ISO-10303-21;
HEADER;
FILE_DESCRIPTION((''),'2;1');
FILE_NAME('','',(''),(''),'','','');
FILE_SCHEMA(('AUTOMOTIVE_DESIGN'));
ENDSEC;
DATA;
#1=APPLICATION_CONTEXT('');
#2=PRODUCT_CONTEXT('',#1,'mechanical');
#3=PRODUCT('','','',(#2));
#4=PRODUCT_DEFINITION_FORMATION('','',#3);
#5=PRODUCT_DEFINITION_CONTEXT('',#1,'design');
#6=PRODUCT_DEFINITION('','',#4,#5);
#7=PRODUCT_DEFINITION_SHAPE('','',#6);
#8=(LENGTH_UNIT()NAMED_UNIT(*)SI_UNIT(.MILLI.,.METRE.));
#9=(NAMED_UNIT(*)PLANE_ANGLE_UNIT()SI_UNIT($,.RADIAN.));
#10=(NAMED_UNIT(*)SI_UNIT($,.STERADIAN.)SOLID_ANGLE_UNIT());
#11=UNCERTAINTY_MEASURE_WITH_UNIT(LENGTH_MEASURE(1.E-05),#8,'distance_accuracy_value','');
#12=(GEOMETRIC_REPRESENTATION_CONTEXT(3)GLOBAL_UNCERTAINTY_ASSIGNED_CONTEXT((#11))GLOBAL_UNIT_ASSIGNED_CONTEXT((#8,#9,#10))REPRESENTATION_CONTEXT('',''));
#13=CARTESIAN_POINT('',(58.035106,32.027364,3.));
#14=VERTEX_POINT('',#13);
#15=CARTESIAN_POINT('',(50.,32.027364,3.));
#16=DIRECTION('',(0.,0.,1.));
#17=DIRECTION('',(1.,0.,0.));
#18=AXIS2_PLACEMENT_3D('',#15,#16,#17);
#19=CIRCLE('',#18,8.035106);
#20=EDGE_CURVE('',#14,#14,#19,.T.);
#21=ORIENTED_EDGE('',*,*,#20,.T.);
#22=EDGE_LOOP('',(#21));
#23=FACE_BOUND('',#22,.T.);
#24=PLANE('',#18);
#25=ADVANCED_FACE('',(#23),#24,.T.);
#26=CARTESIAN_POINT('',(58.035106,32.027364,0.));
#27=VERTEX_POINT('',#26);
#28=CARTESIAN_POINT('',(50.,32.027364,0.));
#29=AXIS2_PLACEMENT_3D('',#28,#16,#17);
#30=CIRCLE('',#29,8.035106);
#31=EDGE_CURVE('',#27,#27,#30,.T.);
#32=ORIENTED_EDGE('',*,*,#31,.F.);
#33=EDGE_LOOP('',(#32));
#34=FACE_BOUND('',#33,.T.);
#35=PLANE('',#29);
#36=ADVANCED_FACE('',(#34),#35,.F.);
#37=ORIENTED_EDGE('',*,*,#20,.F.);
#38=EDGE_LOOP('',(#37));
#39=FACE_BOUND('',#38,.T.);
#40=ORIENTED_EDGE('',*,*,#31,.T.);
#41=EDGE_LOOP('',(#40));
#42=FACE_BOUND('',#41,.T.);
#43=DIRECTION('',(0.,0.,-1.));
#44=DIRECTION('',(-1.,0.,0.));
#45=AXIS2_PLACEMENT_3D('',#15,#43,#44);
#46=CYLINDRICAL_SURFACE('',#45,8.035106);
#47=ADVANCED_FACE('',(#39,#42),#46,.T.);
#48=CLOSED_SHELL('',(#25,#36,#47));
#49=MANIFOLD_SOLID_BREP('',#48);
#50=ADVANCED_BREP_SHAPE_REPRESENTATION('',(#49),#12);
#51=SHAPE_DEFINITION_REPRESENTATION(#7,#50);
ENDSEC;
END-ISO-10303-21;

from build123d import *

# Parameters (mm, degrees)
MODEL_R                 = 8.035105677
SALIENTE_EXTRUIR1_DEPTH = 3


with BuildPart() as part:
    # Model → Saliente-Extruir1 (new body)
    with BuildSketch(Plane.XY):
        with Locations((50, 32.027364097)):
            Circle(MODEL_R)
    extrude(amount=SALIENTE_EXTRUIR1_DEPTH)


solid = part.part
